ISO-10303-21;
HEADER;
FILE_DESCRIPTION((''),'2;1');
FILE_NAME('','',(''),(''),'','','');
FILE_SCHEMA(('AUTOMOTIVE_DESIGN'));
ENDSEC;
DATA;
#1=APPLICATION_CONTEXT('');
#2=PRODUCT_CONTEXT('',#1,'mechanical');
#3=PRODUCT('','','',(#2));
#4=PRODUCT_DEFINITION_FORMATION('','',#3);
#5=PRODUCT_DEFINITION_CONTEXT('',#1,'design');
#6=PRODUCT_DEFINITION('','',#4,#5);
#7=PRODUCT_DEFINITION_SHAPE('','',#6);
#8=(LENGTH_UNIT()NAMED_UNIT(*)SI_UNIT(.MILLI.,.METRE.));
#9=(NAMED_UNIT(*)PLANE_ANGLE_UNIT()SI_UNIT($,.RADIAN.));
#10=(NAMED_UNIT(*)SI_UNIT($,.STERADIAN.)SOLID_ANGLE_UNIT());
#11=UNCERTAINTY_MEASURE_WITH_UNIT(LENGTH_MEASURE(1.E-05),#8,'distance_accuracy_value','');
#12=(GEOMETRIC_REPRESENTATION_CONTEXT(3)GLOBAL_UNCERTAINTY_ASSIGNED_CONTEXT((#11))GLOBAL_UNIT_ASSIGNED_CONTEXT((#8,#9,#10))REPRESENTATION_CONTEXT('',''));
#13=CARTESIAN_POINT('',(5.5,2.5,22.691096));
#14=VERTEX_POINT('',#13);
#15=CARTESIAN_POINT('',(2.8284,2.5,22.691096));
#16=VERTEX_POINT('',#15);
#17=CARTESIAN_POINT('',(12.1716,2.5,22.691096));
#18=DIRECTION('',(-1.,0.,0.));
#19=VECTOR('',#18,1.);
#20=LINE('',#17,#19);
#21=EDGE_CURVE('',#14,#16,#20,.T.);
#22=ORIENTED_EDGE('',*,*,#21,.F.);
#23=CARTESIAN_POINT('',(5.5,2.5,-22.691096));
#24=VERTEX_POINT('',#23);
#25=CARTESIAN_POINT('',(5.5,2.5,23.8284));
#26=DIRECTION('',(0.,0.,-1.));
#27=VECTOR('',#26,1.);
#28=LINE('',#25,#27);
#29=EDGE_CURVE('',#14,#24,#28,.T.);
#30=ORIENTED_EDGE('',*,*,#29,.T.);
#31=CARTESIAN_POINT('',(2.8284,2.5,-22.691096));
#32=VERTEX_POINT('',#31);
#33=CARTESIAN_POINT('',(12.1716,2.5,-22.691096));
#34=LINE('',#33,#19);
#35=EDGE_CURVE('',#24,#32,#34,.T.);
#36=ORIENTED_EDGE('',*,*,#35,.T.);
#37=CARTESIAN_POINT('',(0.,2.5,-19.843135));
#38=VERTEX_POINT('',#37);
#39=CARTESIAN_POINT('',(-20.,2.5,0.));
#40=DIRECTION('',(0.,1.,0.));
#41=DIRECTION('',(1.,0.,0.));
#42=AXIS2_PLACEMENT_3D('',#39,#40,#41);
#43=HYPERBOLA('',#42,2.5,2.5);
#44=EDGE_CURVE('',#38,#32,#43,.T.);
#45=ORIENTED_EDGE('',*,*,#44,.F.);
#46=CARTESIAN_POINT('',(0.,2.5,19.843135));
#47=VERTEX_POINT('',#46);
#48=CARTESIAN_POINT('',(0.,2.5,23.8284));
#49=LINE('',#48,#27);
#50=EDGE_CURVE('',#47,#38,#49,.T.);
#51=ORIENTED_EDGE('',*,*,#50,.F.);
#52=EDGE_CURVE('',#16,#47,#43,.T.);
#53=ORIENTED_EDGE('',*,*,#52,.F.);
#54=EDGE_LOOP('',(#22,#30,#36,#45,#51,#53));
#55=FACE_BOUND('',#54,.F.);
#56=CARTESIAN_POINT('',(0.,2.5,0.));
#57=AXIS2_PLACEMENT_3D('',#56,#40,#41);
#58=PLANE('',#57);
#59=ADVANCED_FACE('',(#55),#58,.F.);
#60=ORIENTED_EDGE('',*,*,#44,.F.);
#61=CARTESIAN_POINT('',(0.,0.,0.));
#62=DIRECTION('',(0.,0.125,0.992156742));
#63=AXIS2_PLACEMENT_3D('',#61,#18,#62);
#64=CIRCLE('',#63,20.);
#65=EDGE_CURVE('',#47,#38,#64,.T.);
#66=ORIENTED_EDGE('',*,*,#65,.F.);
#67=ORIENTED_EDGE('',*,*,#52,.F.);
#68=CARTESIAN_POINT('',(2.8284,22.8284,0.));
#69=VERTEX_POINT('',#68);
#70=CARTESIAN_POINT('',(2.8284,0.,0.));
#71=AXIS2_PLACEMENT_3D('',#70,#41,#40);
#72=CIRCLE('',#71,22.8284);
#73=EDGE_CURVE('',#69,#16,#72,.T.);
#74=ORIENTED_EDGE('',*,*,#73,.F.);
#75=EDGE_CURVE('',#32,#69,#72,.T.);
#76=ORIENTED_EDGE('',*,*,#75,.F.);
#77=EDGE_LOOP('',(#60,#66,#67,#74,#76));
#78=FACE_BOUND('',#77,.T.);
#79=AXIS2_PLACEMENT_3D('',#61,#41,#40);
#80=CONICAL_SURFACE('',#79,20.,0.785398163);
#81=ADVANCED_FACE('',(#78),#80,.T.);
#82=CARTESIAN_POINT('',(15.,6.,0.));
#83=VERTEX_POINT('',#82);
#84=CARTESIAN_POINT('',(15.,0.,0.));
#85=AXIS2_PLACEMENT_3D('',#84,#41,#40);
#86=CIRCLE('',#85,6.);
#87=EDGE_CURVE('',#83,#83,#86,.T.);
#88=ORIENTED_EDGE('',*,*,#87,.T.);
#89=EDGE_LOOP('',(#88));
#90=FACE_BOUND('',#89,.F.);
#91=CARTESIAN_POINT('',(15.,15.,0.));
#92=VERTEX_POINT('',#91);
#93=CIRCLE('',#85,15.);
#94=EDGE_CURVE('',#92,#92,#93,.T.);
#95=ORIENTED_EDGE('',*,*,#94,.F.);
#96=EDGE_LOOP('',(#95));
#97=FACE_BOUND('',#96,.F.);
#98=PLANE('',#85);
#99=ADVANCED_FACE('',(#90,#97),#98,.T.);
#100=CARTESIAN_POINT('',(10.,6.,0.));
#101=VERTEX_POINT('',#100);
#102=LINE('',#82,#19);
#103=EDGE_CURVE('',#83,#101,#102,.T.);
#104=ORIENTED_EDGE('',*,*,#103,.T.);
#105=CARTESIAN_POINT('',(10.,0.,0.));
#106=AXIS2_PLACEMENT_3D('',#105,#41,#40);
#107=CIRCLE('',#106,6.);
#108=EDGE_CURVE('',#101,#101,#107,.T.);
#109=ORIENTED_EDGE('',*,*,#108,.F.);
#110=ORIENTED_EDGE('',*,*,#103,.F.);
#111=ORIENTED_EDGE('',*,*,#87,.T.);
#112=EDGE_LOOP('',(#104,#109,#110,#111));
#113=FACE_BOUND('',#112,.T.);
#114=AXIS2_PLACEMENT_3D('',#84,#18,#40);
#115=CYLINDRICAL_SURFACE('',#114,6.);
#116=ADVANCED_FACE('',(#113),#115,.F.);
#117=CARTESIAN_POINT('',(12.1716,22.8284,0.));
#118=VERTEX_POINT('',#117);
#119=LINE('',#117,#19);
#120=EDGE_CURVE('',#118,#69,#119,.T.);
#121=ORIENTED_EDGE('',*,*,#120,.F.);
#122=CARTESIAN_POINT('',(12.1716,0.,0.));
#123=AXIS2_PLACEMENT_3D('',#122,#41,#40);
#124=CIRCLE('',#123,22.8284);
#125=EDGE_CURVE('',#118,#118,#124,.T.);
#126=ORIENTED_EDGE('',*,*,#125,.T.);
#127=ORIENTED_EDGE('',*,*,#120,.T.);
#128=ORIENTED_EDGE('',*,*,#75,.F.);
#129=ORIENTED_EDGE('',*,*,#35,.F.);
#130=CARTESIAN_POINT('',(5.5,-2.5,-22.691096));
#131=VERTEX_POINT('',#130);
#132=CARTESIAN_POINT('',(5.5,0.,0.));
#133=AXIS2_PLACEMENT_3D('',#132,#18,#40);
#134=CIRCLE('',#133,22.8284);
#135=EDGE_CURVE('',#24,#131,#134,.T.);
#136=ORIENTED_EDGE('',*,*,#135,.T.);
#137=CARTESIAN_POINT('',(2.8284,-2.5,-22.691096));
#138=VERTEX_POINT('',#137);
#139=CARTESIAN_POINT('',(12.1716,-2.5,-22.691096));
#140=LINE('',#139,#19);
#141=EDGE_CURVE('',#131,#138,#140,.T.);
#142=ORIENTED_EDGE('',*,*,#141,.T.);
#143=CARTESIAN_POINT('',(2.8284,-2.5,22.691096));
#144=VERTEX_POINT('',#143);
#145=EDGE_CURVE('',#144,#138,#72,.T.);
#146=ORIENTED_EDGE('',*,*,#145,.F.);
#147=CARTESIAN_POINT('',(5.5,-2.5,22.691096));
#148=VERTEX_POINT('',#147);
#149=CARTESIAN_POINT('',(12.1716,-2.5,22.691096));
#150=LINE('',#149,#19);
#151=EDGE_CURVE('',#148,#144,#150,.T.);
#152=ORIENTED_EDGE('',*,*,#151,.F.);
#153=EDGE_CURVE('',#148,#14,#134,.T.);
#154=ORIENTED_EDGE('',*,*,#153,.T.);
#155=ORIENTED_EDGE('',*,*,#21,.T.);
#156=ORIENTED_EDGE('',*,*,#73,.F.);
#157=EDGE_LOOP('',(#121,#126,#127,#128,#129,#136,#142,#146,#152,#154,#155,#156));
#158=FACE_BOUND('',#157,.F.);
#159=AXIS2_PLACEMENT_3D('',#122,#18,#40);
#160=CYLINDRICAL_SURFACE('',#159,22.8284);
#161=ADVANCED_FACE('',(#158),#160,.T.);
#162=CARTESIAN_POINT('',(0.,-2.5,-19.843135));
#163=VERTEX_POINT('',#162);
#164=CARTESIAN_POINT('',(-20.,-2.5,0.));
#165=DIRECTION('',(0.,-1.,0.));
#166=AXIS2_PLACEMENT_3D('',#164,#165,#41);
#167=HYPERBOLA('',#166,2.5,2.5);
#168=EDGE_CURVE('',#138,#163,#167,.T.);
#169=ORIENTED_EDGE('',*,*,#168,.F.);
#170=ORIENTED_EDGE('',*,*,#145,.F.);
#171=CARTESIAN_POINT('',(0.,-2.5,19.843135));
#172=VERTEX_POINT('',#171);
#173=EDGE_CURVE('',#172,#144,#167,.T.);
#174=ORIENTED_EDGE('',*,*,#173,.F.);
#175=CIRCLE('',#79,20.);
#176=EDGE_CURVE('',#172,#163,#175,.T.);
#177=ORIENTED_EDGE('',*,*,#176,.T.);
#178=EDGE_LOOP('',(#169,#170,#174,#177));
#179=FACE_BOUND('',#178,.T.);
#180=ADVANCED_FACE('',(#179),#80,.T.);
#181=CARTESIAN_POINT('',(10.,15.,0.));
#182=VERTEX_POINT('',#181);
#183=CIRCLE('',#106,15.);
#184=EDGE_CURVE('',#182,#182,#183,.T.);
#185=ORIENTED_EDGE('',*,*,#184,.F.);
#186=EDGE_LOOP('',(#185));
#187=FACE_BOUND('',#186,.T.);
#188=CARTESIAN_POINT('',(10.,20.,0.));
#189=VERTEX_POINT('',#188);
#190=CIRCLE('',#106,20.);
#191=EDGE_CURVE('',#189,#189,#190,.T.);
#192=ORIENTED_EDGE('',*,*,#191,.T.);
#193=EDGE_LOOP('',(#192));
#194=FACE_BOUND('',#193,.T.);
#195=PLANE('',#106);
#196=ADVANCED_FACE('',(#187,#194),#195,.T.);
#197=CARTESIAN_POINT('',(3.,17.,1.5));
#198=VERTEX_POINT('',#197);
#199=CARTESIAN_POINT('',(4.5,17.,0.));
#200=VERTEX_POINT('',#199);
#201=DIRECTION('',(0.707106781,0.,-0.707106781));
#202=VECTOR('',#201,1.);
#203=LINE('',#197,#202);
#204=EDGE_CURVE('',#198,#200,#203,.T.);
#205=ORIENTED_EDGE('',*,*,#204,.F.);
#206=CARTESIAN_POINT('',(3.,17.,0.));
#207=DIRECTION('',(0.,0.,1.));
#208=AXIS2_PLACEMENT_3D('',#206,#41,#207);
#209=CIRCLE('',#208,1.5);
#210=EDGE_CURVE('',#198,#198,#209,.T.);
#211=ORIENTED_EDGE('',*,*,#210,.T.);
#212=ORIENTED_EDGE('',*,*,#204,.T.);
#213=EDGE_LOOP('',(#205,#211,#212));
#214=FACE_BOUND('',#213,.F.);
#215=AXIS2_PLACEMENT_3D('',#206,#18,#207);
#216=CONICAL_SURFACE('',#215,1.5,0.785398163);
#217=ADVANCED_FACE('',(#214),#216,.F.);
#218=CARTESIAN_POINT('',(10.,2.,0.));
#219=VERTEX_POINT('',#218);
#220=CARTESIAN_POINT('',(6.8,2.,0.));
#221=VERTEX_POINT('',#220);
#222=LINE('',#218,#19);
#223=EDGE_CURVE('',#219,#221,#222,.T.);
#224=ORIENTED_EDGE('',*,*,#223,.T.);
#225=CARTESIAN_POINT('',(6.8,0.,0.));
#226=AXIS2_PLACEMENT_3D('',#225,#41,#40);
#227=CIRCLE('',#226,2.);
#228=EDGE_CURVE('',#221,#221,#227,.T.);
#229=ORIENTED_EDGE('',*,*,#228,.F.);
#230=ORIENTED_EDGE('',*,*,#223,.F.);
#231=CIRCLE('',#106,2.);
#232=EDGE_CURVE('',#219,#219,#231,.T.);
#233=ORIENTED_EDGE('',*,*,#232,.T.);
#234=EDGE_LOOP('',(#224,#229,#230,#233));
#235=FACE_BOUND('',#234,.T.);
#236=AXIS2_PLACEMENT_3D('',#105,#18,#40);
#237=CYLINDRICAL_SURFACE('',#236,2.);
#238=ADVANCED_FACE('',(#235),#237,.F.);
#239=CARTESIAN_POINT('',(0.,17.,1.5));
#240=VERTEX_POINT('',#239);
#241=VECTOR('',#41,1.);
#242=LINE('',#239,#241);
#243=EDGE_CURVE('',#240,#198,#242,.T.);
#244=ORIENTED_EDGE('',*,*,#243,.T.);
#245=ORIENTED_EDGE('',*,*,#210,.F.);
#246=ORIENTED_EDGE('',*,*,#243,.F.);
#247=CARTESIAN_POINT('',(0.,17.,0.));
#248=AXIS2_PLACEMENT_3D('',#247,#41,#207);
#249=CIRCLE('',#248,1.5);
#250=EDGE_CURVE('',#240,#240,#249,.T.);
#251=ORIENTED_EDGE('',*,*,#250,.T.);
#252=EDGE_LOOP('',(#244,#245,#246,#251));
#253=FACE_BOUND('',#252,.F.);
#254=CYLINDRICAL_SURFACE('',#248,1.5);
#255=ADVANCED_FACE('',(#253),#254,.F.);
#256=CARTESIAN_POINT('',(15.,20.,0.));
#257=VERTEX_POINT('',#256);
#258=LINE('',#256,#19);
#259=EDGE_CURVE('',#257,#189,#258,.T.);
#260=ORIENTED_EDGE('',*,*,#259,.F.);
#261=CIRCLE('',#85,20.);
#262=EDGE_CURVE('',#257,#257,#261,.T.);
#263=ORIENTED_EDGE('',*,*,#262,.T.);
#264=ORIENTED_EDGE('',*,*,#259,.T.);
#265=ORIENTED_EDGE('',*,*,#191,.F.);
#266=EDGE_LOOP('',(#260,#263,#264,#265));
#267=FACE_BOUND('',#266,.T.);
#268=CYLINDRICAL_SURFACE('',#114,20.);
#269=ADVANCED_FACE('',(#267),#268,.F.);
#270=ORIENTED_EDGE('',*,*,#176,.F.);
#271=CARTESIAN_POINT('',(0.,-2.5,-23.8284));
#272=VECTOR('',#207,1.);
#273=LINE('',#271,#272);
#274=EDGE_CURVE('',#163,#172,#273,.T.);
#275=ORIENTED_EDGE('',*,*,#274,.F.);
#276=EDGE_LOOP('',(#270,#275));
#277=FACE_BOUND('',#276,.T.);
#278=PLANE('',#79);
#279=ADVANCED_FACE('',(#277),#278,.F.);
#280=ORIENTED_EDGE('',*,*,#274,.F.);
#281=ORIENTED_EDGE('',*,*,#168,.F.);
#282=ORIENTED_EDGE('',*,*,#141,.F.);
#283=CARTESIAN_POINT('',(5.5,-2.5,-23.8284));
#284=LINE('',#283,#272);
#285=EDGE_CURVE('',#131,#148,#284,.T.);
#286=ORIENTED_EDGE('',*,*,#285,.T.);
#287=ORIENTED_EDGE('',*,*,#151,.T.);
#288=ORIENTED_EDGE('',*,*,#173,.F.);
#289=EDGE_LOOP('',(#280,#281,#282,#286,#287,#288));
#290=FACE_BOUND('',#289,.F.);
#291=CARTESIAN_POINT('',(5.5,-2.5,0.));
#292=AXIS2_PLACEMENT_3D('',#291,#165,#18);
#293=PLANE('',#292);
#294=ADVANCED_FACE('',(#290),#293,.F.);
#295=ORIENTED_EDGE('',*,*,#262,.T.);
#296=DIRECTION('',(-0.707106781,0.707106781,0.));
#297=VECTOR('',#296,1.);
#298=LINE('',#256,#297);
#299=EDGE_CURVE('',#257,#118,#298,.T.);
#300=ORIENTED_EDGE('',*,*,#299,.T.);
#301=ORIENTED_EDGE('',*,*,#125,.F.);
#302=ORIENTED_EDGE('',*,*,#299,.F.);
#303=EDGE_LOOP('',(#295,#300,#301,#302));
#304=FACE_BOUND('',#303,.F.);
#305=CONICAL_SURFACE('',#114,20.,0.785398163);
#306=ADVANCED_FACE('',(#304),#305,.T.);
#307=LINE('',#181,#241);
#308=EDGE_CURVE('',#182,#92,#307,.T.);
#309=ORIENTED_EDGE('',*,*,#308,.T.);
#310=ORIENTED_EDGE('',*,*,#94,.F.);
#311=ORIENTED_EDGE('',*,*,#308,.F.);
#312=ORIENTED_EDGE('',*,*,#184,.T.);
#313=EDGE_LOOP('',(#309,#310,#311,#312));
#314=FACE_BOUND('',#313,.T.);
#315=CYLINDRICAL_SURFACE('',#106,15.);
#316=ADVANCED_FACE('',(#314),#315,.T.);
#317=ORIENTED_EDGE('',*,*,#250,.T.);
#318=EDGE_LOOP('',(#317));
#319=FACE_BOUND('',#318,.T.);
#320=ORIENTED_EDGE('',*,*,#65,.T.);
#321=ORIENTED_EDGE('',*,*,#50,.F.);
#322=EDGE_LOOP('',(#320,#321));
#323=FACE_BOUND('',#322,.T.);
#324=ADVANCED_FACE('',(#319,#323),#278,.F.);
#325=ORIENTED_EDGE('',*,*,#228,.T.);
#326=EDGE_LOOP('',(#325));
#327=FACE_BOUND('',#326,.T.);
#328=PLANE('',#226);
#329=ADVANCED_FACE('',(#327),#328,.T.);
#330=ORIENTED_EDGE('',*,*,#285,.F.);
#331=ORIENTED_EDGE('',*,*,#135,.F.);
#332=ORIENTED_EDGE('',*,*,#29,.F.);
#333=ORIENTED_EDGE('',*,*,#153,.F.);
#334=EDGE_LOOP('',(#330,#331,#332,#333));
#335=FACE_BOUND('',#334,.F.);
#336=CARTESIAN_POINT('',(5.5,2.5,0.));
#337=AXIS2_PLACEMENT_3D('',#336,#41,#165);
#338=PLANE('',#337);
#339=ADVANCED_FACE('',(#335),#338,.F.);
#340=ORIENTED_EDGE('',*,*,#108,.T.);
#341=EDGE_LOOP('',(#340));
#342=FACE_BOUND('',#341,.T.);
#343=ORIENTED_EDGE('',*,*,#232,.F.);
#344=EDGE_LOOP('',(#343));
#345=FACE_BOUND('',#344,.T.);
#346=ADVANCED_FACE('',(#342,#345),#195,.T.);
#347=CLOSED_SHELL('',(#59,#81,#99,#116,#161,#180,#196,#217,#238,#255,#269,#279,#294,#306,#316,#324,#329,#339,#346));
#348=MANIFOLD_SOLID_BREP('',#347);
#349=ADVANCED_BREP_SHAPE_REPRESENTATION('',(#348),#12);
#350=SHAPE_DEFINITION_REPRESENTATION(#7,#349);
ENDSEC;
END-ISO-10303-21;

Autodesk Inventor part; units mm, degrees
ref_plane "YZ Plane" through (0, 0, 0) normal (1, 0, 0) x (0, 1, 0)
ref_plane "XZ Plane" through (0, 0, 0) normal (0, 1, 0) x (-1, 0, 0)
ref_plane "XY Plane" through (0, 0, 0) normal (0, 0, 1) x (1, 0, 0)
sketch "Эскиз1" plane through (0, 0, 0) normal (0, 0, 1) x (1, 0, 0)
  line L0 (0, 0) -> (0, 20)
  line L1 (0, 20) -> (2.8284, 22.8284)
  line L2 (0, 0) -> (15, 0)
  line L3 (15, 0) -> (15, 20)
  line L4 (15, 20) -> (12.1716, 22.8284)
  line L5 (12.1716, 22.8284) -> (2.8284, 22.8284)
  dimension "d0" = 20
  dimension "d1" = 4
  dimension "d2" = 135
  dimension "d3" = 15
  dimension "d4" = 4
  dimension "d5" = 135
revolve "Вращение1" add sketch "Эскиз1" angle 360 about axis through (0, 0, 0) along (1, 0, 0)
sketch "Эскиз2" plane through (0, 0, 0) normal (0, 0, 1) x (1, 0, 0)
  line L0 (15, -20) -> (15, 20) projected
  line L1 (15, 20) -> (10, 20)
  line L2 (10, 20) -> (10, 15)
  line L3 (10, 15) -> (15, 15)
  line L4 (15, 15) -> (15, 20)
  line L5 (15, 6) -> (10, 6)
  line L6 (10, 6) -> (10, 2)
  line L7 (10, 0) -> (15, 0)
  line L8 (15, 0) -> (15, 6)
  line L9 (10, 2) -> (6.8, 2)
  line L10 (6.8, 2) -> (6.8, 0)
  line L11 (6.8, 0) -> (10, 0)
  point P0 (0, 0)
  point P1 (15, 0)
  dimension "d7" = 5
  dimension "d8" = 5
  dimension "d9" = 6
  dimension "d10" = 2
  dimension "d11" = 5
  dimension "d12" = 3.2
revolve "Вращение2" cut sketch "Эскиз2" angle 360 about axis through (6.8, 0, 0) along (1, 0, 0)
sketch "Эскиз4" plane through (0, 0, 0) normal (1, 0, 0) x (0, 1, 0)
  point P0 (0, 0)
  point P1 (17, 0)
  dimension "d17" = 17
hole "Отверстие1" at (0, 17, 0) direction (1, 0, 0) diameter 3 depth 3 tip angle 90
sketch "Эскиз5" plane through (0, 0, 0) normal (0, 0, 1) x (1, 0, 0)
  line L0 (0, -20) -> (0, 20) projected
  line L1 (0, 2.5) -> (5.5, 2.5)
  line L2 (5.5, 2.5) -> (5.5, -2.5)
  line L3 (5.5, -2.5) -> (0, -2.5)
  line L4 (0, -2.5) -> (0, 2.5)
  point P0 (0, 0)
  point P1 (0, 0)
  point P2 (0, 0)
  dimension "d25" = 5
  dimension "d26" = 5.5
extrude "Выдавливание2" cut sketch "Эскиз5" along normal through all both and the other way through all
properties part number "711128"
